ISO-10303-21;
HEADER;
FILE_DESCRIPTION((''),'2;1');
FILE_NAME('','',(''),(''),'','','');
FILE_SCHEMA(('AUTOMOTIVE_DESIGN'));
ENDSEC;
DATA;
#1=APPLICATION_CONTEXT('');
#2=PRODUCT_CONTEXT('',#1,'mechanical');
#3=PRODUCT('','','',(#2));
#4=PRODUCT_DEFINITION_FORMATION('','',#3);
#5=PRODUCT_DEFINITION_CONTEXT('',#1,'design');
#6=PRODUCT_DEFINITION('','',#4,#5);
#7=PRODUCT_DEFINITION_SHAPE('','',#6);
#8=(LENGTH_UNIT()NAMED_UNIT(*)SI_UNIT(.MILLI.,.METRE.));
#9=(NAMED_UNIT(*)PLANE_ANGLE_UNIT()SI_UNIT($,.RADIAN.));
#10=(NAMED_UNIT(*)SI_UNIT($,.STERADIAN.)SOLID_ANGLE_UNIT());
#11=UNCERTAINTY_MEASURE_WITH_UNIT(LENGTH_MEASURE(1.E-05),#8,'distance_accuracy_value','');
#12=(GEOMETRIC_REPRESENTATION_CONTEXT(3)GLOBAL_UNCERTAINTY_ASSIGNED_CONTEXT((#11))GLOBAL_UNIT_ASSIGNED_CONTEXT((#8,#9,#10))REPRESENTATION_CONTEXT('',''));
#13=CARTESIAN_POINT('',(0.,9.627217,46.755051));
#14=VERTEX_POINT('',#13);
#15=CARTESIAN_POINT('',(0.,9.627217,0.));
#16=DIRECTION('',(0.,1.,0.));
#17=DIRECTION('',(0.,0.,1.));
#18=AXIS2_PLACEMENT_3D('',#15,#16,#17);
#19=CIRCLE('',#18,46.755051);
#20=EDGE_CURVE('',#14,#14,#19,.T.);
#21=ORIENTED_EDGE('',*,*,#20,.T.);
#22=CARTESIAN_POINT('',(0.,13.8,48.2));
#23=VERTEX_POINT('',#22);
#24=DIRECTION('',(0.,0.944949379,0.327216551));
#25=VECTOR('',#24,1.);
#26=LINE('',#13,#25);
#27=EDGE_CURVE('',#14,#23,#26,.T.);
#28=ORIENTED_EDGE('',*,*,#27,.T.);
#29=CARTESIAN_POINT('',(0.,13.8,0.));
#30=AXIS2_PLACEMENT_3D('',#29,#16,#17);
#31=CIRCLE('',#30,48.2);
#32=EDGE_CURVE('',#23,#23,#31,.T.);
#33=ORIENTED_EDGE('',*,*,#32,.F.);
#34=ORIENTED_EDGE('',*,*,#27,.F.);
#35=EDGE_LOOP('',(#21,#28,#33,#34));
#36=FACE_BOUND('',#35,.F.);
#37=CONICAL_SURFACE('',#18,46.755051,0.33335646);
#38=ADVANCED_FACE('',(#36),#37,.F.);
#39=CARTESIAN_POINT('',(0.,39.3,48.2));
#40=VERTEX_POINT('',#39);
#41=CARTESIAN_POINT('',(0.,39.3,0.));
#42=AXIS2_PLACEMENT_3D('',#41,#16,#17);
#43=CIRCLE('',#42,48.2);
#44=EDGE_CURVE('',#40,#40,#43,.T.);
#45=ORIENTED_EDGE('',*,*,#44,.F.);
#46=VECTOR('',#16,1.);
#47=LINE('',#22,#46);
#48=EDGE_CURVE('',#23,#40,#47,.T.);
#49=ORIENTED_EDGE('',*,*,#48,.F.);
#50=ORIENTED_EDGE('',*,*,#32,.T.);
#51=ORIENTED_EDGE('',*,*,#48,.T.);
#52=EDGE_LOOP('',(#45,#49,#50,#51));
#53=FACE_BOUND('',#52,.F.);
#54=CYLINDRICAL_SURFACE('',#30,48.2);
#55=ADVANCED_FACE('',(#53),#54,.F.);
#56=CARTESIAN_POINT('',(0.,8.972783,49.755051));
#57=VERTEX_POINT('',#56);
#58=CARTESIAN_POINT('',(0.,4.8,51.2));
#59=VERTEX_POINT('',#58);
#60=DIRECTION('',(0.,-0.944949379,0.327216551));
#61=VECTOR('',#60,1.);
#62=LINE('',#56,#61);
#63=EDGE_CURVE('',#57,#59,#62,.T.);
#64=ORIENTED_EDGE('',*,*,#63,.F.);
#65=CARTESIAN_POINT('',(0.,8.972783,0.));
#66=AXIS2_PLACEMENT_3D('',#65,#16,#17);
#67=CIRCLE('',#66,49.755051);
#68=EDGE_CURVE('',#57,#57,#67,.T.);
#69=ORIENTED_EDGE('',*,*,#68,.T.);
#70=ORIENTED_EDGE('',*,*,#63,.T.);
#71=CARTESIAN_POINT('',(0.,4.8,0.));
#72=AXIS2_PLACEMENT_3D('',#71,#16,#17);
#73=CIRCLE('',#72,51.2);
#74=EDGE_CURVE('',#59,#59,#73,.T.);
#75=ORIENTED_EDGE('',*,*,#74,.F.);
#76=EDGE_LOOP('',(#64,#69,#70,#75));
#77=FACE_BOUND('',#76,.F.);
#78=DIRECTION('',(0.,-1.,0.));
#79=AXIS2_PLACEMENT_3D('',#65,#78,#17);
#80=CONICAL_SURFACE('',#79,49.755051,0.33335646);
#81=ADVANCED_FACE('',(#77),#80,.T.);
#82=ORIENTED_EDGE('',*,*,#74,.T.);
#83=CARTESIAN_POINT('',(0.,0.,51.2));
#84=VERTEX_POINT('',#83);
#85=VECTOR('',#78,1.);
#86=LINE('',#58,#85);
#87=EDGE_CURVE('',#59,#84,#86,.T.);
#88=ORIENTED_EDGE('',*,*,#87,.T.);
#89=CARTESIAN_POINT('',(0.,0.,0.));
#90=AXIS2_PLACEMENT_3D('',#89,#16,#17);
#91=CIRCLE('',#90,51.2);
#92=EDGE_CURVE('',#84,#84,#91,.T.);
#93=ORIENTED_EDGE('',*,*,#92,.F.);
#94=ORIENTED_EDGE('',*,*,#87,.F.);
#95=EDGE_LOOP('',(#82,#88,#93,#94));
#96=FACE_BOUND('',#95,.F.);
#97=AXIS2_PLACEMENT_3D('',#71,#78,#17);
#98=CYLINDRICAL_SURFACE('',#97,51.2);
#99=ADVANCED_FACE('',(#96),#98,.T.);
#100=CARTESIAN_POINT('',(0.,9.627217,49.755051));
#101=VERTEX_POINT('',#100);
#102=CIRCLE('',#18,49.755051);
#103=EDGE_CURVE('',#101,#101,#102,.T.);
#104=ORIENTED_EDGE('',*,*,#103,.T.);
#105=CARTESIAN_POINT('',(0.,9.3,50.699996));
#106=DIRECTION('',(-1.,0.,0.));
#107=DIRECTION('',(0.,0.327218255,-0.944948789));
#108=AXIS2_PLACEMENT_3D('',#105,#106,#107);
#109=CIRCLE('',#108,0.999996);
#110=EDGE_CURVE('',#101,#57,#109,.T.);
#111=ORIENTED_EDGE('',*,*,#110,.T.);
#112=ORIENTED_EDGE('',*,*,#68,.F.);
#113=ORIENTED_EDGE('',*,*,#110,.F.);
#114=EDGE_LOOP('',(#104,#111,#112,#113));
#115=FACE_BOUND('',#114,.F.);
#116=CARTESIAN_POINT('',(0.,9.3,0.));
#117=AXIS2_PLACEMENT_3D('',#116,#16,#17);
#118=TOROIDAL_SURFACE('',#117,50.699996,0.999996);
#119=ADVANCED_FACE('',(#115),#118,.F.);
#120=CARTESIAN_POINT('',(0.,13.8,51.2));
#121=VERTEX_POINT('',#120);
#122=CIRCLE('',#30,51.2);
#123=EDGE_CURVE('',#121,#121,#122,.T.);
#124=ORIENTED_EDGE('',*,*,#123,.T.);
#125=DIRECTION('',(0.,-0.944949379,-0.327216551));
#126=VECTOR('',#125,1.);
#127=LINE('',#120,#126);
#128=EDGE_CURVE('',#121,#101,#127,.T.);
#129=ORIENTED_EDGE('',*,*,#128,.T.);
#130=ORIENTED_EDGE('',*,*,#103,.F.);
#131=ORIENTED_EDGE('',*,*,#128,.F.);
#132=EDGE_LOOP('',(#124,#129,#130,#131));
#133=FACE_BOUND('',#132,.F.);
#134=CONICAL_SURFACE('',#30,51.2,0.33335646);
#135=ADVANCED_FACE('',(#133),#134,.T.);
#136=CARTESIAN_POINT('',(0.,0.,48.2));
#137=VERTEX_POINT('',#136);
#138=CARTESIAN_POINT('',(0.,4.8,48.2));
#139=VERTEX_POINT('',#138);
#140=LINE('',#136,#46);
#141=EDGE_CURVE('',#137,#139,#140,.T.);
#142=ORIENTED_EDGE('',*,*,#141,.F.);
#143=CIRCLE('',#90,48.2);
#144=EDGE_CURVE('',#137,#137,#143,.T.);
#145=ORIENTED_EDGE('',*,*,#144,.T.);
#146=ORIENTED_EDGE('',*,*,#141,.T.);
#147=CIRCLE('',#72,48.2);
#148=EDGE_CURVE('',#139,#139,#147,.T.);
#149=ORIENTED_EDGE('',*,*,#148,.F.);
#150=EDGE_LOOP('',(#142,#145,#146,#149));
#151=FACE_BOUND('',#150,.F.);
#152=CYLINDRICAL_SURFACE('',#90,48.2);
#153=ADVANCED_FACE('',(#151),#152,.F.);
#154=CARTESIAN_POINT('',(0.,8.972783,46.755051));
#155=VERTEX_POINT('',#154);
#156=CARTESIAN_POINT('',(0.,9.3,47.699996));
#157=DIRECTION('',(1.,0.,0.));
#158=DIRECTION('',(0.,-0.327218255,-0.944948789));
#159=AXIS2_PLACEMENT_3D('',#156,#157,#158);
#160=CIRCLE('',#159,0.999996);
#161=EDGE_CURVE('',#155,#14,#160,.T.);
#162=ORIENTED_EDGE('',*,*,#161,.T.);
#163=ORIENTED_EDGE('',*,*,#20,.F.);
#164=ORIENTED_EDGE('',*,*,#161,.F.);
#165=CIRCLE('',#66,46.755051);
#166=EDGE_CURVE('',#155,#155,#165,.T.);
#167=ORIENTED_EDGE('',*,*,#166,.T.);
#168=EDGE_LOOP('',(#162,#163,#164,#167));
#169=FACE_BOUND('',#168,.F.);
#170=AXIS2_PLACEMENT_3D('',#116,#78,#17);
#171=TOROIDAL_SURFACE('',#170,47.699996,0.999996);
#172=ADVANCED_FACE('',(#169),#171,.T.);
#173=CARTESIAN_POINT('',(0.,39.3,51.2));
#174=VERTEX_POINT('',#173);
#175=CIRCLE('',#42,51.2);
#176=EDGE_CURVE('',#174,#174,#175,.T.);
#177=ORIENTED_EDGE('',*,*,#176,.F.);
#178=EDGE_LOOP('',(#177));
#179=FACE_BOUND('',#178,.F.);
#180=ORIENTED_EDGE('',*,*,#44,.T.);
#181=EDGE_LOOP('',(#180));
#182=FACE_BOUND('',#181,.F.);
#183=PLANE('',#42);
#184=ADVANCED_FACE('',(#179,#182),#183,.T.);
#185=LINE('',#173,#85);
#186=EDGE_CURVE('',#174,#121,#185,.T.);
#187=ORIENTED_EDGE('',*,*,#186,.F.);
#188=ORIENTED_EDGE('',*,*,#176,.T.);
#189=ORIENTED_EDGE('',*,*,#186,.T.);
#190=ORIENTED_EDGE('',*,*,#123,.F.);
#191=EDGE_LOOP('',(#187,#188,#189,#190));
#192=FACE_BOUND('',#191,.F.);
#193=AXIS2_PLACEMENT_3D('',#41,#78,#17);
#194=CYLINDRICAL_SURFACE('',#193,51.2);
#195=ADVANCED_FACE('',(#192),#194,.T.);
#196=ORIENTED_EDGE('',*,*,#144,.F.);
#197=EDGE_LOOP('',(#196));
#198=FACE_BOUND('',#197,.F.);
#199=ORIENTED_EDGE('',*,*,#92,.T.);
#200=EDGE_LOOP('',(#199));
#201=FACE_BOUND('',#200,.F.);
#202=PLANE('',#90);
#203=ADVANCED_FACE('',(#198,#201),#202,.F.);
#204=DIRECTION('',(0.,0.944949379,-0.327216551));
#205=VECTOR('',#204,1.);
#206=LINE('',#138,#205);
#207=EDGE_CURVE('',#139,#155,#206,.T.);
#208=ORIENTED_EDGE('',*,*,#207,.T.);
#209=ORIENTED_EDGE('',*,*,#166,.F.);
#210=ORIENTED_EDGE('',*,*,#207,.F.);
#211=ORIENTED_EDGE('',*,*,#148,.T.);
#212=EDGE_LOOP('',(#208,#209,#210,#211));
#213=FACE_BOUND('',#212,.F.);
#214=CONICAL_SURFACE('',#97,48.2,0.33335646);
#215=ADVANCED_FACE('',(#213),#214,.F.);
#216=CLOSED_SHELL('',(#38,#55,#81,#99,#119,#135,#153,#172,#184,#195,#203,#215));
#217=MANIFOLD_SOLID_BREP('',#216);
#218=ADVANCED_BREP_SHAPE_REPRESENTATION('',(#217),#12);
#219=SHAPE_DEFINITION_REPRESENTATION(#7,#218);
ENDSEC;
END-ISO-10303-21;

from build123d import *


with BuildPart() as f1:
    # F0 (on Right) → F1 (revolve)
    with BuildSketch(Plane.YZ):
        with BuildLine():
            Line((0, 51.2), (0, 48.2))
            Line((0, 48.2), (4.8, 48.2))
            Line((4.8, 48.2), (8.972783, 46.755051))
            ThreePointArc((8.972783, 46.755051), (9.3, 46.7), (9.627217, 46.755051))
            Line((9.627217, 46.755051), (13.8, 48.2))
            Line((13.8, 48.2), (39.3, 48.2))
            Line((39.3, 48.2), (39.3, 51.2))
            Line((39.3, 51.2), (13.8, 51.2))
            Line((13.8, 51.2), (9.627217, 49.755051))
            ThreePointArc((9.627217, 49.755051), (9.3, 49.7), (8.972783, 49.755051))
            Line((8.972783, 49.755051), (4.8, 51.2))
            Line((4.8, 51.2), (0, 51.2))
        make_face()
    revolve(axis=Axis((0, 19.65, 0), (0, 1, 0)))


solid = f1.part
